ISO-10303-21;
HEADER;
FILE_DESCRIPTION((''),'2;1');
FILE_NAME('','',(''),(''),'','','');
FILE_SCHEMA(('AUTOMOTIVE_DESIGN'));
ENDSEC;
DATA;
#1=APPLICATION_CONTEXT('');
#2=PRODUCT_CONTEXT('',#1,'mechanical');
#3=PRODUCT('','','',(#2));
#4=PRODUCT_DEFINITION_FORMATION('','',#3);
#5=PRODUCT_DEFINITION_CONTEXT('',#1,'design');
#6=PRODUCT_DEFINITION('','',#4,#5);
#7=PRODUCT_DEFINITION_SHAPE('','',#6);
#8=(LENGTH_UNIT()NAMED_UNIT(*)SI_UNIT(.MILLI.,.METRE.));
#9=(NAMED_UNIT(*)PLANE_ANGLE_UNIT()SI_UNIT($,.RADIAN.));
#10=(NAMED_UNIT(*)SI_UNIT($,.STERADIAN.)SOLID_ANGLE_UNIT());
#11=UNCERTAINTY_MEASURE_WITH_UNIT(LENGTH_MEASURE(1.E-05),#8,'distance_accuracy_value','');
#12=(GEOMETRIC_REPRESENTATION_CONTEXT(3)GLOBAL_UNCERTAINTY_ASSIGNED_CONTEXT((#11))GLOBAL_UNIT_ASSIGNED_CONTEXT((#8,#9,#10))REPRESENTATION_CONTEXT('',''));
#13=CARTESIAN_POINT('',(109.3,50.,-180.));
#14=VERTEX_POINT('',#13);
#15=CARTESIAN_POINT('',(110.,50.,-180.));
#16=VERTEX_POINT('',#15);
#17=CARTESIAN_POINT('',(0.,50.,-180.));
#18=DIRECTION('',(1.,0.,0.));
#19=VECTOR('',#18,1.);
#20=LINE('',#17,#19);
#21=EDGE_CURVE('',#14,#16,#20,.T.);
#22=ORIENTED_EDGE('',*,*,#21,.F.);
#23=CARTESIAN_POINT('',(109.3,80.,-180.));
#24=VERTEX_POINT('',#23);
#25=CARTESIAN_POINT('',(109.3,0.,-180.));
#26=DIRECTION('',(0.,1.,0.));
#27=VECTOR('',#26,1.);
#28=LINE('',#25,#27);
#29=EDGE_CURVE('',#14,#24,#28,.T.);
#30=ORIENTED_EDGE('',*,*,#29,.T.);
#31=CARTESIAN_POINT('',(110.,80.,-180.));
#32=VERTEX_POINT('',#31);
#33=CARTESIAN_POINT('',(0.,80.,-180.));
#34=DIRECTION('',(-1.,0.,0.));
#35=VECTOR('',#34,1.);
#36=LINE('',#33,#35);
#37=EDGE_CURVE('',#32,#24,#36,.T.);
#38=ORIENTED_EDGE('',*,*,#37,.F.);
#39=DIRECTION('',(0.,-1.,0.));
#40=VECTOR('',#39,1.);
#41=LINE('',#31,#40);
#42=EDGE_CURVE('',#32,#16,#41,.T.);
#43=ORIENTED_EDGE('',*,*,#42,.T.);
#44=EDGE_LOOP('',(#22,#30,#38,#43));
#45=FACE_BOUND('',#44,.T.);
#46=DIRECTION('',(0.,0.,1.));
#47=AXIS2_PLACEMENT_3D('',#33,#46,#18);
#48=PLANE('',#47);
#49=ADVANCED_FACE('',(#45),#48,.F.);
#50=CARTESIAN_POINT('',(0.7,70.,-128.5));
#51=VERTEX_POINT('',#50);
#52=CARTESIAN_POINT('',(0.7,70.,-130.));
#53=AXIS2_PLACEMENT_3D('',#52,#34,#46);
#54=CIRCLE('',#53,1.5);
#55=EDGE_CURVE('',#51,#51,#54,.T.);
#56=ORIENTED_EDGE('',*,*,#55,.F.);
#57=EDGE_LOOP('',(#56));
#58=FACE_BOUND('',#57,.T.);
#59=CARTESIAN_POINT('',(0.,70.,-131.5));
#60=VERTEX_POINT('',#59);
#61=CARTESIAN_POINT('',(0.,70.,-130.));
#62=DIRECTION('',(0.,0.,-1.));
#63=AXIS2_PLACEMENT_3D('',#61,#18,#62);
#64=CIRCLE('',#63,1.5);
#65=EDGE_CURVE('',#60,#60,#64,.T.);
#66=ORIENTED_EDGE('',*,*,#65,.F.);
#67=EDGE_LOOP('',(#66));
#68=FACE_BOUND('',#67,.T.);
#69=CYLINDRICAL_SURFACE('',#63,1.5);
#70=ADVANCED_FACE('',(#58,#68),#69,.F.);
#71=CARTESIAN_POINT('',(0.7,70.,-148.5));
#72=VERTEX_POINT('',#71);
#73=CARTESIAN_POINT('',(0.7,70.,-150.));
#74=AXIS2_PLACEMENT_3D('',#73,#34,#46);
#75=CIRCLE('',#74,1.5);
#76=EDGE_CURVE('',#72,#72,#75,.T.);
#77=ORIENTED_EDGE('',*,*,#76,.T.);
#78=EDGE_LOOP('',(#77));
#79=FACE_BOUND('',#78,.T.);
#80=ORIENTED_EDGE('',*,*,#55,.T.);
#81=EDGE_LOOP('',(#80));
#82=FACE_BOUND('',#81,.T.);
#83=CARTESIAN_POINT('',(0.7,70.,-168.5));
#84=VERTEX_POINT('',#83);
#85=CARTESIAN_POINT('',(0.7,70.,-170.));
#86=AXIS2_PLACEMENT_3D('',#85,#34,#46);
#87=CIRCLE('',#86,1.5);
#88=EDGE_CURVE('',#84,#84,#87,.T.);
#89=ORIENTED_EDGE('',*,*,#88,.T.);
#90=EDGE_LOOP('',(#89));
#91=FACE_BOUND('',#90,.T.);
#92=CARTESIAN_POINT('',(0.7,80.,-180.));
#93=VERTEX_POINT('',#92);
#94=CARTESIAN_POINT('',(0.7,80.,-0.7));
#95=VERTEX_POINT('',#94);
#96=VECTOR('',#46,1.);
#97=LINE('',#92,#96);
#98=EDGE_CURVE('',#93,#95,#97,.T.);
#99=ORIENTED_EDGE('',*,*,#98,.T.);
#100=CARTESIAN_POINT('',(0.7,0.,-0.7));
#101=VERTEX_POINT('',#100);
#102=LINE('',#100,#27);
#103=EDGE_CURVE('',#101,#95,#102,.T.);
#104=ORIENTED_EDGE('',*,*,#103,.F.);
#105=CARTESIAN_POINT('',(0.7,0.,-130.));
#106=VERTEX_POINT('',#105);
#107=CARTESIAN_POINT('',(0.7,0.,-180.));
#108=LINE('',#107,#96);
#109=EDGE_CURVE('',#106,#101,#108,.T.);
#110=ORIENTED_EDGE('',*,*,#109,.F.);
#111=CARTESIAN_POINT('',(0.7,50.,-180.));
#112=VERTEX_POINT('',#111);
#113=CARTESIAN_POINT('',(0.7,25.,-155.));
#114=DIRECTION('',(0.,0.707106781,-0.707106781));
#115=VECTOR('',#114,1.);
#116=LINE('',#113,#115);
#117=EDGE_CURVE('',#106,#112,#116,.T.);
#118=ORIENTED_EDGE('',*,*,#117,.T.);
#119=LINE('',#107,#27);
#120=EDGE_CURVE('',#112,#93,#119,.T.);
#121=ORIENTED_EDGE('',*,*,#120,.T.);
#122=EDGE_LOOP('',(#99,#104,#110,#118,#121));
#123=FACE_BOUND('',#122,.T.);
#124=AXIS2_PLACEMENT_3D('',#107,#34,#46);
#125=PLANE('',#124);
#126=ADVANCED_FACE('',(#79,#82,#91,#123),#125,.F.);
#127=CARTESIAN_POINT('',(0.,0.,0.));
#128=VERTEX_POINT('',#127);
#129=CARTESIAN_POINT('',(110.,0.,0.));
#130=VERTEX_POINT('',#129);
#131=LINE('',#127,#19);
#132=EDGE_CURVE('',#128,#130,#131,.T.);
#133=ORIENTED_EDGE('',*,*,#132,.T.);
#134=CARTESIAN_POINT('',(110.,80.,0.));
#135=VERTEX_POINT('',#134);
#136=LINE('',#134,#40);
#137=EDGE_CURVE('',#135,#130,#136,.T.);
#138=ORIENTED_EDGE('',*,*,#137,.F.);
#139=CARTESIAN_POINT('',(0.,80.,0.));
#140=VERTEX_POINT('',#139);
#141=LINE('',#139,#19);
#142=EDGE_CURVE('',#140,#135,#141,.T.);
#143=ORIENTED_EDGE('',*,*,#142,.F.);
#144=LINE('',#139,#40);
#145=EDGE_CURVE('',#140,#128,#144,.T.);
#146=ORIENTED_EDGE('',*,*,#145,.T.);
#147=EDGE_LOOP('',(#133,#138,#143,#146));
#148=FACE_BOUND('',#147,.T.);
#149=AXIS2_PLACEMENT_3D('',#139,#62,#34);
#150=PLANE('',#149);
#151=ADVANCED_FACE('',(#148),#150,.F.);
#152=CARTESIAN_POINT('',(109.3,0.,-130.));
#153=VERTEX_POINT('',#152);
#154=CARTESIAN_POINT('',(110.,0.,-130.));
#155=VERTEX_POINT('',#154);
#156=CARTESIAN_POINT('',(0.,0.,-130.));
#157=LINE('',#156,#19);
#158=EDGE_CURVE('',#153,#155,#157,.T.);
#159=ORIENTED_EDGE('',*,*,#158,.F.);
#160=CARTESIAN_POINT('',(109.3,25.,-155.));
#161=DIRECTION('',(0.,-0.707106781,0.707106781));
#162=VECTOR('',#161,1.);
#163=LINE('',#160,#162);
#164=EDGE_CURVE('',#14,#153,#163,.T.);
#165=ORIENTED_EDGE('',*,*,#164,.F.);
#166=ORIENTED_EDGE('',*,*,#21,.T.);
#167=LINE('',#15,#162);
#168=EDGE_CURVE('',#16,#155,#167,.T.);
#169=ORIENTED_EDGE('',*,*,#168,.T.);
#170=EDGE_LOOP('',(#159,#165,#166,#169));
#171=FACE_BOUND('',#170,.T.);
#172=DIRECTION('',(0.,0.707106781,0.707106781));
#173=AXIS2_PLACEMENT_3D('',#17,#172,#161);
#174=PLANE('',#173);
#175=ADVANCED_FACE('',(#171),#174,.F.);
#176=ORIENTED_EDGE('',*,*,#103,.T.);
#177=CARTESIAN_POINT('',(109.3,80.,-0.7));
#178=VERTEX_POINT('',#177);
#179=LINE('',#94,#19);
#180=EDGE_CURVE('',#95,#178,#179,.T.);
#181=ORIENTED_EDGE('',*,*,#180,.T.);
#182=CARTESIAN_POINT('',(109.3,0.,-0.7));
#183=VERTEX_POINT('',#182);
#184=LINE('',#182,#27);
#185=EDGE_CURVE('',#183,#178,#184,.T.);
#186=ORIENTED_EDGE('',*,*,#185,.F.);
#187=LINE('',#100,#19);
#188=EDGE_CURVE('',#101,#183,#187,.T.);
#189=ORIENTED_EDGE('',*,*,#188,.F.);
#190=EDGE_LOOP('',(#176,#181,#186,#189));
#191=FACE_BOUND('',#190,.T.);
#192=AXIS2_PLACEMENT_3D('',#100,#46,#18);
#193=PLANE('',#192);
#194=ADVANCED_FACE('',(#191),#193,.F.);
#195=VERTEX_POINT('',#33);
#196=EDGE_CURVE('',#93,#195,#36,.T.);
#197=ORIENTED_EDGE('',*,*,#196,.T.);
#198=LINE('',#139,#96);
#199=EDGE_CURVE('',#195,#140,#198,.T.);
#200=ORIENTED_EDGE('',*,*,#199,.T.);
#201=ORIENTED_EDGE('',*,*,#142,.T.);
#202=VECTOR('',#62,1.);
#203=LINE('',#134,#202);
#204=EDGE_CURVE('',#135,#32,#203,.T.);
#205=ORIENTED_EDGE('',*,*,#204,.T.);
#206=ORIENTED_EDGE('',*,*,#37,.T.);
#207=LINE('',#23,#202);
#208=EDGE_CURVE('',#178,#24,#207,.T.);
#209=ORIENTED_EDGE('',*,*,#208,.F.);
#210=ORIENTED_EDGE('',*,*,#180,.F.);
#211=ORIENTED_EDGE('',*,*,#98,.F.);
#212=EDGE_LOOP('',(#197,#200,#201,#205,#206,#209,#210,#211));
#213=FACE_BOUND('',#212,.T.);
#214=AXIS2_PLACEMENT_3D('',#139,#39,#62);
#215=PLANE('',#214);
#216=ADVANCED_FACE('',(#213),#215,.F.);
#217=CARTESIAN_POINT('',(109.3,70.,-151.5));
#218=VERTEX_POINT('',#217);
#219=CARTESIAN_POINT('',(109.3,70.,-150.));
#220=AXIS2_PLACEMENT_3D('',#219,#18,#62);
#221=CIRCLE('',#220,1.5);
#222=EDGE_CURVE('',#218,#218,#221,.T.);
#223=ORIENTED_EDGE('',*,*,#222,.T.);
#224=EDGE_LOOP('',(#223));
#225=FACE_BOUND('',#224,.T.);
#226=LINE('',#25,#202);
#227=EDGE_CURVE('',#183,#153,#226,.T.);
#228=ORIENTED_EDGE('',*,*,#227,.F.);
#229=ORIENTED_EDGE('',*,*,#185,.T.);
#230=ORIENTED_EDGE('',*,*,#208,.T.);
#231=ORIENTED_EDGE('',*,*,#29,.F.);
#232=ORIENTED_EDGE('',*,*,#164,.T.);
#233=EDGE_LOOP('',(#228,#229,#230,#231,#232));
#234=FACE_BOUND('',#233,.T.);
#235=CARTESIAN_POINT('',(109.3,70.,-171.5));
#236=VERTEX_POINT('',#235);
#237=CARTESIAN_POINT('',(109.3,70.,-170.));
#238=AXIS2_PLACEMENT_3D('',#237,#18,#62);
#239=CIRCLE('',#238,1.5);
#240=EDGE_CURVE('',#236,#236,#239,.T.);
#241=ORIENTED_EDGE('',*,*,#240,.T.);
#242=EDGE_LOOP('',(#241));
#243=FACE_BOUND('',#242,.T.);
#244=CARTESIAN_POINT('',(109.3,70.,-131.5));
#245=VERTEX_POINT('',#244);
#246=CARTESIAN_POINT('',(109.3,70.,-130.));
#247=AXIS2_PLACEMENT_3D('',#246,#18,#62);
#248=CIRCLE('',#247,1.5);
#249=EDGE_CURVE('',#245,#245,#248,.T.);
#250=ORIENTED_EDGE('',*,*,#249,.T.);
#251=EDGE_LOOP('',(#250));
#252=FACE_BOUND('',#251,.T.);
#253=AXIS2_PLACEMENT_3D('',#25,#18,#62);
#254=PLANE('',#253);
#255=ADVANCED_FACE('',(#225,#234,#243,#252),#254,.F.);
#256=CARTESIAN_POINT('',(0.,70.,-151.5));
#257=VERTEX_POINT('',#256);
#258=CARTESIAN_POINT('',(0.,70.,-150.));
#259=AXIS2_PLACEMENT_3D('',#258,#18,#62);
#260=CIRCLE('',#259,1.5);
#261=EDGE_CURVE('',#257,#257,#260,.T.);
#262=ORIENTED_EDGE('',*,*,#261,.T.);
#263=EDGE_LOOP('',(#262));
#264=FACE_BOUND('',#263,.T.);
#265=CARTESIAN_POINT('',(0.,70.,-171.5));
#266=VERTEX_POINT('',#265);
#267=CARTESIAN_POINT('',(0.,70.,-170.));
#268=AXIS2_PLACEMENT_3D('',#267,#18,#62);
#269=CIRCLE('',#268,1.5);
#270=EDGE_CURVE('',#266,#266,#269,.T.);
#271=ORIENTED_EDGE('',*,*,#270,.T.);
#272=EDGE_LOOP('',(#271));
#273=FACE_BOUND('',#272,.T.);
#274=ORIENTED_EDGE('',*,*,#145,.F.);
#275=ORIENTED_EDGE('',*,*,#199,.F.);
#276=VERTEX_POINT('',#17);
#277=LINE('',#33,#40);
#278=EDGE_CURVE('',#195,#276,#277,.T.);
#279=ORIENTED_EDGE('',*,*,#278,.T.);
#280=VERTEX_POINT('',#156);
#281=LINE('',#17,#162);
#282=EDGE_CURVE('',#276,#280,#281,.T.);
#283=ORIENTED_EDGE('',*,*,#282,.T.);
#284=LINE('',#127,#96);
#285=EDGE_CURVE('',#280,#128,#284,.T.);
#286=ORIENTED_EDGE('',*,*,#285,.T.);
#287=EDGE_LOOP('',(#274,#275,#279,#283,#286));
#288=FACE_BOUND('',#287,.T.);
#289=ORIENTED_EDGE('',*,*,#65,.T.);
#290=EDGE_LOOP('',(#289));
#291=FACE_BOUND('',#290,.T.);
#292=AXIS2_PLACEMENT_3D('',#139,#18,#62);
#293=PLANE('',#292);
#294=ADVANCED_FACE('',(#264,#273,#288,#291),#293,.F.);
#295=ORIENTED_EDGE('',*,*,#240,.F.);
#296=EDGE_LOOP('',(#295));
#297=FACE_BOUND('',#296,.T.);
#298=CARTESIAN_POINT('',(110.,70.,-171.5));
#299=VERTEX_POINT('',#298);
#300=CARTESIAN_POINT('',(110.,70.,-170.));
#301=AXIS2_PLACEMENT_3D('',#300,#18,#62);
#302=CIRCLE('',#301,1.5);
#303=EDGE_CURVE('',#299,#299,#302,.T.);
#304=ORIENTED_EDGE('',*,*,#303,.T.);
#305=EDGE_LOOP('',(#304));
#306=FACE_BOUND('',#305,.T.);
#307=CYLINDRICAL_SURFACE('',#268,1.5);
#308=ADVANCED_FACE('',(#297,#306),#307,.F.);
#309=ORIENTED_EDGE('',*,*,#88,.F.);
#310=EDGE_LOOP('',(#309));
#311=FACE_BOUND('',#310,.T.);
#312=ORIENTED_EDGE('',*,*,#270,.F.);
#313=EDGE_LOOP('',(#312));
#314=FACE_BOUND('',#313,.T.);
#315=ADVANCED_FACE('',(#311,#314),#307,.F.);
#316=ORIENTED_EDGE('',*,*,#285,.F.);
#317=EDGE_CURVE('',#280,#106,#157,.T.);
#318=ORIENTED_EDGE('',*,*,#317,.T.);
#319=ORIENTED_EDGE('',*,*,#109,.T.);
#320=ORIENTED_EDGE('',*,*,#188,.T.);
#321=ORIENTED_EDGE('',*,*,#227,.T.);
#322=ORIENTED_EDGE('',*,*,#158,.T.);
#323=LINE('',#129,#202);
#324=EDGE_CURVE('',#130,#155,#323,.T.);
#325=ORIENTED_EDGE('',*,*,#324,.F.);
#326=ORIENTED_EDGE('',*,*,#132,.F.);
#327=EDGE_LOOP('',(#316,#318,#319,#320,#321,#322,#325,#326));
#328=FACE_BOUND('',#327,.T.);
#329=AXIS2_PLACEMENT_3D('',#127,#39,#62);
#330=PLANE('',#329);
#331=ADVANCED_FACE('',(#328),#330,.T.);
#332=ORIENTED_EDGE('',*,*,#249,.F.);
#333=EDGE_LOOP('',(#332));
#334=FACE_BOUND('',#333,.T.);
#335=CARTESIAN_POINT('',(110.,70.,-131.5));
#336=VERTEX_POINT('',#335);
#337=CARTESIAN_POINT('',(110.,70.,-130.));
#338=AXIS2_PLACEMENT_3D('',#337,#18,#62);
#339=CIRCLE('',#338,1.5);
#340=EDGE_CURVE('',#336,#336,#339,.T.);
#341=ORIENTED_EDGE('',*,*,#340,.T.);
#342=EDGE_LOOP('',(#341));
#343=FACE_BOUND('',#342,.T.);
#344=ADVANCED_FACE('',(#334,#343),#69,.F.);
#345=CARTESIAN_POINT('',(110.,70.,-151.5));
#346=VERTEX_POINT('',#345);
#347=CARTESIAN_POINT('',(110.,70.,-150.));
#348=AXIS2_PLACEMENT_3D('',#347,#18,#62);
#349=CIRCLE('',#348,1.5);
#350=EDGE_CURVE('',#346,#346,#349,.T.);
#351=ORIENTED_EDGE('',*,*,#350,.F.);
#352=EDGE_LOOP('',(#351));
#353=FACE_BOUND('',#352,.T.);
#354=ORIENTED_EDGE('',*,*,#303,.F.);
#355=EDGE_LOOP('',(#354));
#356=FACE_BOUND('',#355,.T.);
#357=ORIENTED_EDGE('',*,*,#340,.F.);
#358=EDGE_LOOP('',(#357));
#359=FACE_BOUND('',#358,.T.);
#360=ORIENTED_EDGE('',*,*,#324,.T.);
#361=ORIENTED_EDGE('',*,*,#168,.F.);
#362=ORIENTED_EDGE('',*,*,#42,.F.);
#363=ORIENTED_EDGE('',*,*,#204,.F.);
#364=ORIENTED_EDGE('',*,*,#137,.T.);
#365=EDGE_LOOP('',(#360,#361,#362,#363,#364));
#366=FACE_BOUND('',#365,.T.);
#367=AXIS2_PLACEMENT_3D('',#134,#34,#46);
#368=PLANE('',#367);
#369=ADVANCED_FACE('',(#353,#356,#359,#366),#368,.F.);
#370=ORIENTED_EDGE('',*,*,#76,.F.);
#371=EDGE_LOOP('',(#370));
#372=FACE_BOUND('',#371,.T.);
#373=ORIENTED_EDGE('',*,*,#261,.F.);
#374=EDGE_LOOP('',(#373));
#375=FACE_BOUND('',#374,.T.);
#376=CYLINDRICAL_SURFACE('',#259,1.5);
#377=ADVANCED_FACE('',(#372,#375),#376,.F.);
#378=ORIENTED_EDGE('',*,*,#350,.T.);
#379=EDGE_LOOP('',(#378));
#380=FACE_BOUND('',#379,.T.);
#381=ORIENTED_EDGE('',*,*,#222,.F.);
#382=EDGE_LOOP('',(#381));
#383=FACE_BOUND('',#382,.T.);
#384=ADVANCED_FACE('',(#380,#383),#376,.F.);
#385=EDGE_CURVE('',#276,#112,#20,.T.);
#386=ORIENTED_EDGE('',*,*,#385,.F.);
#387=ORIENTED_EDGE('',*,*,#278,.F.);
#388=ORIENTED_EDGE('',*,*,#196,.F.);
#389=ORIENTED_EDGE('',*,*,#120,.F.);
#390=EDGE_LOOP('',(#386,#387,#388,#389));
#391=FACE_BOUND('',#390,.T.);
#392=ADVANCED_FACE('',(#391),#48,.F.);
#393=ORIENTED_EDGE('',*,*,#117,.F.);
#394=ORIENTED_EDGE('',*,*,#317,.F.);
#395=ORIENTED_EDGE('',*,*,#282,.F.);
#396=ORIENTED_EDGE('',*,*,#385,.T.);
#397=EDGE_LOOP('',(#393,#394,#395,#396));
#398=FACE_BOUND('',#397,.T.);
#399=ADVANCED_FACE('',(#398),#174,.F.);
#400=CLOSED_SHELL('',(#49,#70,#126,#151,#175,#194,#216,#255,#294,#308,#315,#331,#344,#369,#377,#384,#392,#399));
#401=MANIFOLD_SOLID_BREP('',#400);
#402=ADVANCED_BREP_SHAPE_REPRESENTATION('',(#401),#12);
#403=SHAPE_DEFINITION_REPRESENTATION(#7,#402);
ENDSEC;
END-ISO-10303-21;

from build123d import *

# Parameters (mm, degrees)
SKETCH1_W           = 110
SKETCH1_H           = 180
BOSS_EXTRUDE1_DEPTH = 80
SKETCH2_W           = 108.6
SKETCH2_H           = 179.3
CUT_EXTRUDE1_DEPTH  = 226.610283454
SKETCH4_R           = 1.5
CUT_EXTRUDE3_DEPTH  = 226.610283454
CUT_EXTRUDE5_DEPTH  = 226.610283454


with BuildPart() as part:
    # Sketch1 → Boss-Extrude1 (new body)
    with BuildSketch(Plane(origin=(0, 0, 0), x_dir=(1, 0, 0), z_dir=(0, 1, 0))):
        with Locations((55, 90)):
            Rectangle(SKETCH1_W, SKETCH1_H)
    extrude(amount=BOSS_EXTRUDE1_DEPTH)

    # Sketch2 → Cut-Extrude1 (cut, through all)
    with BuildSketch(Plane(origin=(0, 80, 0), x_dir=(1, 0, 0), z_dir=(0, 1, 0))):
        with Locations((55, 90.35)):
            Rectangle(SKETCH2_W, SKETCH2_H)
    extrude(amount=-CUT_EXTRUDE1_DEPTH, mode=Mode.SUBTRACT)

    # Sketch4 → Cut-Extrude3 (cut, through all)
    with BuildSketch(Plane(origin=(110, 0, 0), x_dir=(0, 0, -1), z_dir=(1, 0, 0))):
        with Locations((170, 70)):
            Circle(SKETCH4_R)
        with Locations((130, 70)):
            Circle(SKETCH4_R)
        with Locations((150, 70)):
            Circle(SKETCH4_R)
    extrude(amount=-CUT_EXTRUDE3_DEPTH, mode=Mode.SUBTRACT)

    # Sketch8 → Cut-Extrude5 (cut, through all)
    with BuildSketch(Plane(origin=(110, 0, 0), x_dir=(0, 0, -1), z_dir=(1, 0, 0))):
        Polygon((180, 50), (130, 0), (180, 0), align=None)
    extrude(amount=-CUT_EXTRUDE5_DEPTH, mode=Mode.SUBTRACT)


solid = part.part
